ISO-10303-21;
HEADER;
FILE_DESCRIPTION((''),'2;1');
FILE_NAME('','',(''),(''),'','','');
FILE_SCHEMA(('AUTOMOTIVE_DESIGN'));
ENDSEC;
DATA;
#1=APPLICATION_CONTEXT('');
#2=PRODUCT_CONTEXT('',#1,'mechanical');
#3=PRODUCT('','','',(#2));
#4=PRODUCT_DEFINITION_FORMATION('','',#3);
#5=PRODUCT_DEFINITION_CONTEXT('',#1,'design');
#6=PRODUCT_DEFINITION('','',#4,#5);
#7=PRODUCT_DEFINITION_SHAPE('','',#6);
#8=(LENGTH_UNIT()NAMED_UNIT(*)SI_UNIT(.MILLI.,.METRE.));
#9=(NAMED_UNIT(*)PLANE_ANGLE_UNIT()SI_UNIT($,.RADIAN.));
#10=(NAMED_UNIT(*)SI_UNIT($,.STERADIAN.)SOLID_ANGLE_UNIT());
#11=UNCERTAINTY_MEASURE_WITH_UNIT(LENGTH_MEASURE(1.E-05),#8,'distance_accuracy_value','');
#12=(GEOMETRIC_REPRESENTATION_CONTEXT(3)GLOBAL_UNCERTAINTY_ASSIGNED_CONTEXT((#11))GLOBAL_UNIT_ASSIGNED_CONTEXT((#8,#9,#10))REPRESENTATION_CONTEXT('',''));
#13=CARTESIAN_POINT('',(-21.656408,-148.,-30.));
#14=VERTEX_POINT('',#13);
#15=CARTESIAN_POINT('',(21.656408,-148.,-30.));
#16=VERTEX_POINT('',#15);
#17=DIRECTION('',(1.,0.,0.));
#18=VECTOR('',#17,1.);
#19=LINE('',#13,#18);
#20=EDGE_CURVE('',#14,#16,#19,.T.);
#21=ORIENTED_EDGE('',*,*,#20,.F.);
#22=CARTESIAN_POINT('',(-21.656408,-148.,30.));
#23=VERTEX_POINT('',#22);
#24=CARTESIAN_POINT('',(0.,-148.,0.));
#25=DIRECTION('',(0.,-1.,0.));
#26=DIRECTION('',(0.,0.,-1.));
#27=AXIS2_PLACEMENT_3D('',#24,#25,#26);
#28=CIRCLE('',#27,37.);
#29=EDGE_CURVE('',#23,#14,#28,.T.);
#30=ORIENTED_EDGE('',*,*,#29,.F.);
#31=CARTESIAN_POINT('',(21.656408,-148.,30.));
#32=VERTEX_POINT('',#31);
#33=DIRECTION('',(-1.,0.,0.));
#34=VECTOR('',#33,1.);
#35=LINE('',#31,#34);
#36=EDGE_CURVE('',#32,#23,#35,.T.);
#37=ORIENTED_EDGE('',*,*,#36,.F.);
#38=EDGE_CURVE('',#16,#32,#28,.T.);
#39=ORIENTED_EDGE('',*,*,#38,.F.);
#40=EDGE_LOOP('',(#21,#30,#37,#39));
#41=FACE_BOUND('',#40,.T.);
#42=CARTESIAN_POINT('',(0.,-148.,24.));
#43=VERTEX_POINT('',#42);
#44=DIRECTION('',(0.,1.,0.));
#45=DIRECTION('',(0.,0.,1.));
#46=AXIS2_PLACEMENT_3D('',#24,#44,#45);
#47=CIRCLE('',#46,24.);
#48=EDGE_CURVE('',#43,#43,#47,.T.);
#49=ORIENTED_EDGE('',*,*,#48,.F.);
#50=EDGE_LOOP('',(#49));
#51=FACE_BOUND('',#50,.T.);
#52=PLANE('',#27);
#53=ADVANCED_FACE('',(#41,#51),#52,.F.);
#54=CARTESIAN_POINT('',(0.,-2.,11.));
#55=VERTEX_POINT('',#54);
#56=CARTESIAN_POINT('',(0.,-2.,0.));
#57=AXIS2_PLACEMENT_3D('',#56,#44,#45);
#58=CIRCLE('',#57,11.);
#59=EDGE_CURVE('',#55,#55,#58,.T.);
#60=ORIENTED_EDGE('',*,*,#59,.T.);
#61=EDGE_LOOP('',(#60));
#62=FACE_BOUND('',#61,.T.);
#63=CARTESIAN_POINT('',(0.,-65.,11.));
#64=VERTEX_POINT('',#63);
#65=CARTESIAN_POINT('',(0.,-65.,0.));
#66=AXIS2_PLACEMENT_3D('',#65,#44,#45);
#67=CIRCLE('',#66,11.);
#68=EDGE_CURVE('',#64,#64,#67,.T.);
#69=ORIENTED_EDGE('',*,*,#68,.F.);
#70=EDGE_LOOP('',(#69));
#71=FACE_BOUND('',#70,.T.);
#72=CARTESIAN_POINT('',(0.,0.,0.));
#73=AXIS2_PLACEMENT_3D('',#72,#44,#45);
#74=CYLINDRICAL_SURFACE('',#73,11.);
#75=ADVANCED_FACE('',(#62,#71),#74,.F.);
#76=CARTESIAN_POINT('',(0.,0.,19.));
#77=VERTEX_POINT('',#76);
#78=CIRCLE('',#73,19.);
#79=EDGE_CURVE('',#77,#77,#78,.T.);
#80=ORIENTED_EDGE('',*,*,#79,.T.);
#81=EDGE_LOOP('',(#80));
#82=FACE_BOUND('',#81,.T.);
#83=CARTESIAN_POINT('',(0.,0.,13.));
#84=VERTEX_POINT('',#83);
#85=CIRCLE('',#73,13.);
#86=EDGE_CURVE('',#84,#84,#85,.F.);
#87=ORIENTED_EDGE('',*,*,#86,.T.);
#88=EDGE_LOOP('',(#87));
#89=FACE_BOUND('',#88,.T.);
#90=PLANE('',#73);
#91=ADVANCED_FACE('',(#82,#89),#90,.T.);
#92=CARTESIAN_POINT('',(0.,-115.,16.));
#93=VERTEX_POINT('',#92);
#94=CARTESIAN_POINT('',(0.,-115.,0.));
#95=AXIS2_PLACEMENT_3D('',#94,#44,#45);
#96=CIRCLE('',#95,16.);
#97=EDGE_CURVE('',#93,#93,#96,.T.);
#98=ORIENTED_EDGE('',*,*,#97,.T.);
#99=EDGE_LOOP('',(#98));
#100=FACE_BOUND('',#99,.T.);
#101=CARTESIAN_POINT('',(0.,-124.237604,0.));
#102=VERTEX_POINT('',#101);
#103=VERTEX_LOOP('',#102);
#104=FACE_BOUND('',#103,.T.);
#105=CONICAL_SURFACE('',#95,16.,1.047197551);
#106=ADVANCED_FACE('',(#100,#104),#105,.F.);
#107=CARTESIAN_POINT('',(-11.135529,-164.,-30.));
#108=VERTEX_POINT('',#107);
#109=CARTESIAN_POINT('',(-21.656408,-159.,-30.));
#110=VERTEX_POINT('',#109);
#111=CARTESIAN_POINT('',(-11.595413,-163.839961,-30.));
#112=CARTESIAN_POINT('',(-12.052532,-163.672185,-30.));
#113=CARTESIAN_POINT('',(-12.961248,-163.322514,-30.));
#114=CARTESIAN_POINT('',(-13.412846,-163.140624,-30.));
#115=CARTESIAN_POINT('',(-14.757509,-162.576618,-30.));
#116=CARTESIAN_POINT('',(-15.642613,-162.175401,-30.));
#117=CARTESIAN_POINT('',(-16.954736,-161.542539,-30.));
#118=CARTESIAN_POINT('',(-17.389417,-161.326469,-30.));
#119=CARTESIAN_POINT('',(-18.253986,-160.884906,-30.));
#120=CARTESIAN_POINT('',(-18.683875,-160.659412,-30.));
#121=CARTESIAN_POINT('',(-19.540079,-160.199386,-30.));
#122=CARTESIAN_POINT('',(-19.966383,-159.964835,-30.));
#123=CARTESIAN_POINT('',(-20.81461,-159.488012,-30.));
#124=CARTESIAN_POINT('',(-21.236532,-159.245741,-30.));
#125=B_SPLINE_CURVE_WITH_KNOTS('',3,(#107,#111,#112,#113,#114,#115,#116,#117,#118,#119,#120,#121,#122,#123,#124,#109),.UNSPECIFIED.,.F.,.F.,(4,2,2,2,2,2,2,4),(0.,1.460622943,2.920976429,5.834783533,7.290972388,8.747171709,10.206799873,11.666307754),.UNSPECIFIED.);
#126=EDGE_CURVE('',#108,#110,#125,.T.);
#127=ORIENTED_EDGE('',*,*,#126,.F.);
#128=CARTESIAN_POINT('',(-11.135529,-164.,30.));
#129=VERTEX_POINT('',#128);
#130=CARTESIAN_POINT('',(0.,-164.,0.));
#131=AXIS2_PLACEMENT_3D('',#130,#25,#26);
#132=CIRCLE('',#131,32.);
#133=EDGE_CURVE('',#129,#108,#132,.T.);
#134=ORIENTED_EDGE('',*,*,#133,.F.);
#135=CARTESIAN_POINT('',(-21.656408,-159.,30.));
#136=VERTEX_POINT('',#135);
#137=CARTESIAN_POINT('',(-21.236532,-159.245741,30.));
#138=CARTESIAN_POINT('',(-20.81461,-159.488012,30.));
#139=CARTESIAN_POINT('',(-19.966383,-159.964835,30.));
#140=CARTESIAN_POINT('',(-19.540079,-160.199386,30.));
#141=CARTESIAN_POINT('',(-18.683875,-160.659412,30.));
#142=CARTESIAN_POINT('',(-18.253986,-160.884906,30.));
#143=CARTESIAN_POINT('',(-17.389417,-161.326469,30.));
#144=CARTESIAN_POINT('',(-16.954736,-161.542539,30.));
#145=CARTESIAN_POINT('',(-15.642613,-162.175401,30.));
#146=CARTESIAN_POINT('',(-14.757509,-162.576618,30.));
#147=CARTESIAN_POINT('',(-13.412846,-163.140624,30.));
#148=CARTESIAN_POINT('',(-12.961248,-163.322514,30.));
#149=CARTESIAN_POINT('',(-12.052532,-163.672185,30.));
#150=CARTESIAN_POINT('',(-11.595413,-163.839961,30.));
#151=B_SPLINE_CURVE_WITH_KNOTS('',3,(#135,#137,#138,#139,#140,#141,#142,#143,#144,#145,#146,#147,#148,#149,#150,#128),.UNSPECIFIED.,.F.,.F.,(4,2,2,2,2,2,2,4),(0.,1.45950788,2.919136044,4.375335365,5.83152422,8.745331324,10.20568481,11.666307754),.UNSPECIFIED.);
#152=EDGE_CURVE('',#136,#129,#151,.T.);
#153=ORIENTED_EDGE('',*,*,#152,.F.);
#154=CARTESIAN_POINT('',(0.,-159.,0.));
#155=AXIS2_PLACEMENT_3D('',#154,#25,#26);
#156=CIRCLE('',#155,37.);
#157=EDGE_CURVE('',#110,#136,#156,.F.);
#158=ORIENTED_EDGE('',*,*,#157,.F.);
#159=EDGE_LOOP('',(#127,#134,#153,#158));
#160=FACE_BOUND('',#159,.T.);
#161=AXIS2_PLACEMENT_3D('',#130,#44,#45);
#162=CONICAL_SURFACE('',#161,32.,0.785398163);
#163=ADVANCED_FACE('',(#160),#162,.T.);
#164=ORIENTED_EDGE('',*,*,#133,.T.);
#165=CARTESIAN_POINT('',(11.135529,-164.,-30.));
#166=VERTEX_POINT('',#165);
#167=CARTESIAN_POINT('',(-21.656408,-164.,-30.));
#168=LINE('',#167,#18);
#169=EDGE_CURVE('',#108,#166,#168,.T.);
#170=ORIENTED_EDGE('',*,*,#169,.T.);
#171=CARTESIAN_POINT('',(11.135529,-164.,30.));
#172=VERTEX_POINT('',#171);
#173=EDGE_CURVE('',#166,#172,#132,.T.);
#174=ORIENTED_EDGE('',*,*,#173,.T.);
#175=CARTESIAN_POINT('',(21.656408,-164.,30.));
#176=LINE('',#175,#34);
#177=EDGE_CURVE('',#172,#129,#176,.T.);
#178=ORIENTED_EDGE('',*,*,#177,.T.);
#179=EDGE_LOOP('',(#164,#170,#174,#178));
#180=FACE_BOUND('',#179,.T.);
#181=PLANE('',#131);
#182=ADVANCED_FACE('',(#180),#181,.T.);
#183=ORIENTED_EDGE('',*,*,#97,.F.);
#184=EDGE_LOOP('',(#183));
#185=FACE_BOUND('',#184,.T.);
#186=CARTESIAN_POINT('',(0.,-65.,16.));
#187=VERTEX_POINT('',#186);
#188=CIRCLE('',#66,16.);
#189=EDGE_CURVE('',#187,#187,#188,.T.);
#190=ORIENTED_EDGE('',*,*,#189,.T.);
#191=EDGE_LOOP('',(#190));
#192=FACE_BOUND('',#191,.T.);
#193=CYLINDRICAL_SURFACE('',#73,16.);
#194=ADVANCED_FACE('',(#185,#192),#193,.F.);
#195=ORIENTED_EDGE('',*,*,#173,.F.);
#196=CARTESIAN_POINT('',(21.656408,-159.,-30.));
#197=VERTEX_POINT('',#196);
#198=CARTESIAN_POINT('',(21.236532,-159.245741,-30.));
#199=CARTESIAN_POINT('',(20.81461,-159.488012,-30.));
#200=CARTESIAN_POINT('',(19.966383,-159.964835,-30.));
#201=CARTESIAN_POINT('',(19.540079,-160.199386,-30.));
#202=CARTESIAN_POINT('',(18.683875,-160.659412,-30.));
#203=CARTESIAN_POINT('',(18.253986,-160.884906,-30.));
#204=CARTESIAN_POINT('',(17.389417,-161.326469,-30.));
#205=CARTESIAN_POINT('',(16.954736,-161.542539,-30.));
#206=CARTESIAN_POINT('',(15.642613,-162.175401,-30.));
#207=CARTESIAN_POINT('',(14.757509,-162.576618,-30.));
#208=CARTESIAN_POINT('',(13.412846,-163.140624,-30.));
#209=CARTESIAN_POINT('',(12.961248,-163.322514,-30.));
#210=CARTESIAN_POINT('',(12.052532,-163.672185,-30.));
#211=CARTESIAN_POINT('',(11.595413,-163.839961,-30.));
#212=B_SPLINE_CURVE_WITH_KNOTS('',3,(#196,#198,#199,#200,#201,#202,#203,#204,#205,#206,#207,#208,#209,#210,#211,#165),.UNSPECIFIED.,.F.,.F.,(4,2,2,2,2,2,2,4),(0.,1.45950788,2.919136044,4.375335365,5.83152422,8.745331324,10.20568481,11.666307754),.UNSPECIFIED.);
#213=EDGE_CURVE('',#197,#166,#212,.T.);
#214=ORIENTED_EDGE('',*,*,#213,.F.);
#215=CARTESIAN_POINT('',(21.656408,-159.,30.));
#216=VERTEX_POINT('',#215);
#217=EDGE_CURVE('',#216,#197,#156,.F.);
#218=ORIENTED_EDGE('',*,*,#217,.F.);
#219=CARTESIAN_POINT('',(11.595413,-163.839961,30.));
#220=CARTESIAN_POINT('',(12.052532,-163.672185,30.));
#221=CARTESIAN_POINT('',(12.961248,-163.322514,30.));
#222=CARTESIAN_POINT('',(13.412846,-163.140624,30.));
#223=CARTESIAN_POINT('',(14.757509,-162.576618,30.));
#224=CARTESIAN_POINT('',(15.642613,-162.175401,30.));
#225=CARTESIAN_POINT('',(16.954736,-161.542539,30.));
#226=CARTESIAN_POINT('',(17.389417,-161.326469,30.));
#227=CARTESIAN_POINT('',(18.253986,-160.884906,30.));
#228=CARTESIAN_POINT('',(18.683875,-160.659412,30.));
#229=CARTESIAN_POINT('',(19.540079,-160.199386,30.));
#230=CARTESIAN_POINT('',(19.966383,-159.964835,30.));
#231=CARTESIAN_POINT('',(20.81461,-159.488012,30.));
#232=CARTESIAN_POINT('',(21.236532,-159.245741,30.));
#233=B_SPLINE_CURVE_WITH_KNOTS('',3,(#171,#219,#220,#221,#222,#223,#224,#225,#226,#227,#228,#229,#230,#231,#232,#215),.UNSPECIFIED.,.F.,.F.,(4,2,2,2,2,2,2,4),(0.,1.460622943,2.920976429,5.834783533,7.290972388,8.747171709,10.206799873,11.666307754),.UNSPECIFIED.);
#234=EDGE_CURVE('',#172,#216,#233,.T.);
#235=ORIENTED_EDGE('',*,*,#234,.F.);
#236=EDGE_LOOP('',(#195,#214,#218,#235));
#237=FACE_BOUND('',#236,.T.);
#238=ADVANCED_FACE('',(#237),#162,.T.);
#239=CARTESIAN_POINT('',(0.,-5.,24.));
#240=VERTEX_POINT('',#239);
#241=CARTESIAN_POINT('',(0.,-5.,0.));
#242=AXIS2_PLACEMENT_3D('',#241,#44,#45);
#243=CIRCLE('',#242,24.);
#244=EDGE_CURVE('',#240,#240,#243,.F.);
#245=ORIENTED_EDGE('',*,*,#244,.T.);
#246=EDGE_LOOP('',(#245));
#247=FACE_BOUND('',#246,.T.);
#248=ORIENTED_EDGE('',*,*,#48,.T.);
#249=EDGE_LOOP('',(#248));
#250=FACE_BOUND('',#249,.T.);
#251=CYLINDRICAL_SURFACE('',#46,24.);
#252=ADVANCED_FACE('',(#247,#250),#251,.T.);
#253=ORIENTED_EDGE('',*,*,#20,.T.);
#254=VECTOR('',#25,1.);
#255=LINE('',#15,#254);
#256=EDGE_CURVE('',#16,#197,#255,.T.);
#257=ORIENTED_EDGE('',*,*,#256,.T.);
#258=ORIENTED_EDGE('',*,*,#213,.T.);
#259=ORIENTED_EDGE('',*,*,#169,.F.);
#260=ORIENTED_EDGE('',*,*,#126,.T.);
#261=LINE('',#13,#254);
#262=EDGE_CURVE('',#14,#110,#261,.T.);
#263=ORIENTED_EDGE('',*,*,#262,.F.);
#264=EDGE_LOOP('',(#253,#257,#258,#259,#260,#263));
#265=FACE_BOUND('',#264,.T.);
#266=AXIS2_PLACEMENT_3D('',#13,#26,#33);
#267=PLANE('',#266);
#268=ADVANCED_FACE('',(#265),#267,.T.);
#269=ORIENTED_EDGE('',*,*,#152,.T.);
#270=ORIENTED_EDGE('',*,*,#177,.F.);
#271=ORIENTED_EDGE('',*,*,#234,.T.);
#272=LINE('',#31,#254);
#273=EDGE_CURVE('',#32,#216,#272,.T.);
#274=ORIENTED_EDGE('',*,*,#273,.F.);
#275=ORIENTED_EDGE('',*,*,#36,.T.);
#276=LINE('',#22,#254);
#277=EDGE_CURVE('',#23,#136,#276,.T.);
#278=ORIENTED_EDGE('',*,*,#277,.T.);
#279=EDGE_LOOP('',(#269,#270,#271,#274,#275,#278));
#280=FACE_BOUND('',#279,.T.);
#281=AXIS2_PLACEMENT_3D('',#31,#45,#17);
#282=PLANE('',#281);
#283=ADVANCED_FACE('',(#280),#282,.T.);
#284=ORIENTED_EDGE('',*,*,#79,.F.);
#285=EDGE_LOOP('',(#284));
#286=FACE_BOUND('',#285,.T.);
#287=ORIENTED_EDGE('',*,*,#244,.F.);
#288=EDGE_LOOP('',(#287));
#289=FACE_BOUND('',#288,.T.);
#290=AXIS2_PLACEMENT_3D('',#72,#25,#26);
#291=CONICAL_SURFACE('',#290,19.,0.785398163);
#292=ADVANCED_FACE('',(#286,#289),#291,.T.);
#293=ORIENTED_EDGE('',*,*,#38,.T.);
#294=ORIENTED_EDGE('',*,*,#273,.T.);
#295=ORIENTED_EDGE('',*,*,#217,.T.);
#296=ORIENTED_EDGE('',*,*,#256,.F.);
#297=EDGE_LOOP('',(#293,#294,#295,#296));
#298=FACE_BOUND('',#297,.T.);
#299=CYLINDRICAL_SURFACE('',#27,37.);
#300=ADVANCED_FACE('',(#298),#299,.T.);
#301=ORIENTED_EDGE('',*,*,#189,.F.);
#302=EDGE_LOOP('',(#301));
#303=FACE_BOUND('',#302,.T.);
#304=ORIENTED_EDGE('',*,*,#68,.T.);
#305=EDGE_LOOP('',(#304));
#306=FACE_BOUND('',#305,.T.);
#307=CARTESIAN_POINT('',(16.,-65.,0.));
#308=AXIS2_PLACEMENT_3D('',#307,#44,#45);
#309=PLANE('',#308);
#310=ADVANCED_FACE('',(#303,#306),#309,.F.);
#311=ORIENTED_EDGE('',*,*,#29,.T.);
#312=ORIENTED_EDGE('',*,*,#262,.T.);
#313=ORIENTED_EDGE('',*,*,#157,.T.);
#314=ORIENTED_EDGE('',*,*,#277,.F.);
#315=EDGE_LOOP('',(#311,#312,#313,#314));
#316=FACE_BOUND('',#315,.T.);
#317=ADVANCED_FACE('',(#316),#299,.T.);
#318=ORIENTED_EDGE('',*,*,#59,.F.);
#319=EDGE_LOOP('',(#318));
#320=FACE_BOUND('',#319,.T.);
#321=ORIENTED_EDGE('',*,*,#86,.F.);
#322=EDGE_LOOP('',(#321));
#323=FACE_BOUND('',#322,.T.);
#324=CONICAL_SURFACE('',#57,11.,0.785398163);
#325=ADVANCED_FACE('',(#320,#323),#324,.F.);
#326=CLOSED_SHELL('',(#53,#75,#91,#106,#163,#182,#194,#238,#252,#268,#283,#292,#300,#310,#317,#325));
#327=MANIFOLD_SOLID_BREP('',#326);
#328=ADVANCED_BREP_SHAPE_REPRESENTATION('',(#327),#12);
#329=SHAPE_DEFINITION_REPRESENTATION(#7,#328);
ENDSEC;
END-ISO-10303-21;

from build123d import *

# Parameters (mm, degrees)
EXTRUDE_1_DEPTH = 16
SKETCH_2_W      = 24
SKETCH_2_H      = 148
CHAMFER_1_SIZE  = 5
CHAMFER_2_SIZE  = 2


with BuildPart() as part:
    # Эскиз1 → Бобышка-Вытянуть1 (new body)
    with BuildSketch(Plane.XZ.offset(164)):
        with BuildLine():
            Line((21.656407828, 30), (-21.656407828, 30))
            ThreePointArc((-21.656407828, 30), (-37, 0), (-21.656407828, -30))
            Line((-21.656407828, -30), (21.656407828, -30))
            ThreePointArc((21.656407828, -30), (37, 0), (21.656407828, 30))
        make_face()
    extrude(amount=-EXTRUDE_1_DEPTH)

    # Эскиз2 → Повернуть1 (revolve)
    with BuildSketch(Plane(origin=(0, 0, 0), x_dir=(-1, 0, 0), z_dir=(0, 0, -1)), mode=Mode.PRIVATE) as revolve_1_sk:
        with Locations((-12, -74)):
            Rectangle(SKETCH_2_W, SKETCH_2_H)
    revolve(revolve_1_sk.sketch.rotate(Axis((0, -148, 0), (0, 1, 0)), 270), axis=Axis((0, -148, 0), (0, 1, 0)))

    # Эскиз3 → Цековка для  болта с шестигранной головкой M301 (revolve, cut)
    with BuildSketch(Plane(origin=(0, 0, 0), x_dir=(0, 0, 1), z_dir=(1, 0, 0))):
        Polygon((0, 0), (0, 124.237604307), (16, 115), (16, 65), (11, 65), (11, 0), align=None)
    revolve(axis=Axis((0, 6.35, 0), (0, -1, 0)), mode=Mode.SUBTRACT)

    # Фаска1
    chamfer_1_edges = [part.edges().sort_by_distance(p)[0] for p in [
        (0, 0, -24),
        (-37, -164, 0),
        (37, -164, 0),
    ]]
    chamfer(chamfer_1_edges, length=CHAMFER_1_SIZE)

    # Фаска2
    chamfer_2_edges = [part.edges().sort_by_distance(p)[0] for p in [
        (0, 0, -11),
    ]]
    chamfer(chamfer_2_edges, length=CHAMFER_2_SIZE)


solid = part.part
